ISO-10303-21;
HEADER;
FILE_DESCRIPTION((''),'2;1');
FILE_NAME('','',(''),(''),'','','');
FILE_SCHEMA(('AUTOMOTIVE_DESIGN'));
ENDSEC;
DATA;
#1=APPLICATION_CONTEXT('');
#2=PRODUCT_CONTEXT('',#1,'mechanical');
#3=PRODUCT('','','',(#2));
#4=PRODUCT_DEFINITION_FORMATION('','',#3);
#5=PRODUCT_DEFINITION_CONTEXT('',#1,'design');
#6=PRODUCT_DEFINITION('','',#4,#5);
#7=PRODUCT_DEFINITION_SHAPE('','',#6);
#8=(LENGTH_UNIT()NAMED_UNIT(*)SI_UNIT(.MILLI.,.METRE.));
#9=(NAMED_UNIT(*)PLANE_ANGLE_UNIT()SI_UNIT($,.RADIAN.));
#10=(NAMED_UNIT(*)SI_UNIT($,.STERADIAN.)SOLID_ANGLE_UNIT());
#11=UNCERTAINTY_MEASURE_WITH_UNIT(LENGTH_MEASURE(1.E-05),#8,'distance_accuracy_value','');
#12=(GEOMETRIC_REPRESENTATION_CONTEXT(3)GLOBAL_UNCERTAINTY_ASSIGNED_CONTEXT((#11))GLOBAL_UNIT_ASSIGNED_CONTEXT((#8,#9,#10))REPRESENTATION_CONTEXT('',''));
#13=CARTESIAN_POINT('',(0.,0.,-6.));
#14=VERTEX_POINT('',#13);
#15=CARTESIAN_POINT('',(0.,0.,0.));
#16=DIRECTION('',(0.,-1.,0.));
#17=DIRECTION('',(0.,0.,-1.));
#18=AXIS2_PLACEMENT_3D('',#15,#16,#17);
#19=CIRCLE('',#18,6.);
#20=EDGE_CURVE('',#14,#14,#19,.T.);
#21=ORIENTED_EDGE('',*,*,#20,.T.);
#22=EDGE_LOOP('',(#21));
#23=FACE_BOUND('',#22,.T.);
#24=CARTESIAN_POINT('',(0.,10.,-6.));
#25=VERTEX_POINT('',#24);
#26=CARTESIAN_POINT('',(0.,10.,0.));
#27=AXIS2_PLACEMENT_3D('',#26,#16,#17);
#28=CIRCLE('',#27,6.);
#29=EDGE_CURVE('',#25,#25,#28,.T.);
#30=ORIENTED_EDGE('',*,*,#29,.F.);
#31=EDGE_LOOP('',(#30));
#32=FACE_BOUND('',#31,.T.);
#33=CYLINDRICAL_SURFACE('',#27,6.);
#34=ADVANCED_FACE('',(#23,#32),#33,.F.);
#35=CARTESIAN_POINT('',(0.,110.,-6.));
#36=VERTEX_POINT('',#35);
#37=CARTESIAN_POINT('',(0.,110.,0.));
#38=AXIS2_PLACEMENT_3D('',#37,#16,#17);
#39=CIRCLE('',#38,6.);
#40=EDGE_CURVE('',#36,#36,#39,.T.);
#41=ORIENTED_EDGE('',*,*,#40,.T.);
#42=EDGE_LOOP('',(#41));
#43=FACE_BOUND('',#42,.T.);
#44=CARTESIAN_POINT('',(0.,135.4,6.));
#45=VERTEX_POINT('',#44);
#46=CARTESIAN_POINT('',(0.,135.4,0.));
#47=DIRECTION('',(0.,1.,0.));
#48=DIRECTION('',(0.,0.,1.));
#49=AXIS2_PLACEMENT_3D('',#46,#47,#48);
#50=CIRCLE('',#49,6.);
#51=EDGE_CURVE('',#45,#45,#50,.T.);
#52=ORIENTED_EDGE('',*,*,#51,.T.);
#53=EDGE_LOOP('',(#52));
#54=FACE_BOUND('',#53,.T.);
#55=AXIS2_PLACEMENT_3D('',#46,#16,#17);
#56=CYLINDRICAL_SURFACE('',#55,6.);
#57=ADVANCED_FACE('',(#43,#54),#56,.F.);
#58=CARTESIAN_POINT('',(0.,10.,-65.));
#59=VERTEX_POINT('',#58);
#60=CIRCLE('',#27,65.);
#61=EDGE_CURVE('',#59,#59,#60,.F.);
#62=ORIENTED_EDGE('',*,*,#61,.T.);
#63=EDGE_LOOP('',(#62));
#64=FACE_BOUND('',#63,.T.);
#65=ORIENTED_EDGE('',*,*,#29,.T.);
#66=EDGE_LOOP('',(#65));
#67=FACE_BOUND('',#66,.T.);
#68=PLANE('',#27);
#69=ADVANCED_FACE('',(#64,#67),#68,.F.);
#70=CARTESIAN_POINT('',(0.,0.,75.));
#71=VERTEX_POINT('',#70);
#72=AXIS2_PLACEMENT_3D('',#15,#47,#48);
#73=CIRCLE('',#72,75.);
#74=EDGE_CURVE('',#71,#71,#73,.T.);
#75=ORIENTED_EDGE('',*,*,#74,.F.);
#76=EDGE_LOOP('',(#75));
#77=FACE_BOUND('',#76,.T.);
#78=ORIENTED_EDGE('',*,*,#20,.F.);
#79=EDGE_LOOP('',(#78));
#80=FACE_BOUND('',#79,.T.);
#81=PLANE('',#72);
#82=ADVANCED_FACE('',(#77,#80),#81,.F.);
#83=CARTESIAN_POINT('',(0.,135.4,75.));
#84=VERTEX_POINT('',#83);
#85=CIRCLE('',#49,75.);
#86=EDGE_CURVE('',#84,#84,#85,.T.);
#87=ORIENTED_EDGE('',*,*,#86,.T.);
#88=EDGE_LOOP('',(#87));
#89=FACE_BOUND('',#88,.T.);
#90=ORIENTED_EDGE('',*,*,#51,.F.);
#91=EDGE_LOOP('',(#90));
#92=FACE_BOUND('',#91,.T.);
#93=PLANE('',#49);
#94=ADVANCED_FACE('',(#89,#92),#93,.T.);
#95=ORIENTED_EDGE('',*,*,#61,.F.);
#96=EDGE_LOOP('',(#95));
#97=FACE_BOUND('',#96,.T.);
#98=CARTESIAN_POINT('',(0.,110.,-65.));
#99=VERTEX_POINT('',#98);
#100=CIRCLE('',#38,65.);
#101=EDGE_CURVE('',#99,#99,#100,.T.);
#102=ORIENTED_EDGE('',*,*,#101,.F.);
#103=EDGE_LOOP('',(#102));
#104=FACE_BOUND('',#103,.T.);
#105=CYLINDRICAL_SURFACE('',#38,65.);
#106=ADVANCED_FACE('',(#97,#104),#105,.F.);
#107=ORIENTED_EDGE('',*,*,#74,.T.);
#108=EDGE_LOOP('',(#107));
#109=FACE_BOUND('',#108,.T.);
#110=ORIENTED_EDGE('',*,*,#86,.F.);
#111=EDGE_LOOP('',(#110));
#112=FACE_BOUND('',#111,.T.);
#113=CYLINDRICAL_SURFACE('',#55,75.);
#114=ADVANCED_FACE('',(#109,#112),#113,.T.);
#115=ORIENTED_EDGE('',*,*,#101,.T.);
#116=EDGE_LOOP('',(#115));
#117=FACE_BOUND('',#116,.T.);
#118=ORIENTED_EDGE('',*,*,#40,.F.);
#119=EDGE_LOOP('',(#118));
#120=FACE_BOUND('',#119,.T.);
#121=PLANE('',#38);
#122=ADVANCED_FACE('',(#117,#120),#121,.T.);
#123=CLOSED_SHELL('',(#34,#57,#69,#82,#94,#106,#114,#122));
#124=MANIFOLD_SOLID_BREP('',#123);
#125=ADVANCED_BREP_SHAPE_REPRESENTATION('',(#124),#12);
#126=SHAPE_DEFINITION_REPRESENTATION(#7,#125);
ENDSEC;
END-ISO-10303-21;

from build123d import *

# Parameters (mm, degrees)
SKETCH1_R           = 75
SKETCH1_R_2         = 6
BOSS_EXTRUDE1_DEPTH = 135.4
SKETCH3_R           = 65
CUT_EXTRUDE2_DEPTH  = 110
SKETCH4_R           = 75
SKETCH4_R_2         = 6
BOSS_EXTRUDE2_DEPTH = 10


with BuildPart() as part:
    # Sketch1 → Boss-Extrude1 (new body)
    with BuildSketch(Plane(origin=(0, 0, 0), x_dir=(1, 0, 0), z_dir=(0, 1, 0))):
        with Locations(Location((0, 0, 0), (0, 0, 270))):
            Circle(SKETCH1_R)
        with Locations(Location((0, 0, 0), (0, 0, 270))):
            Circle(SKETCH1_R_2, mode=Mode.SUBTRACT)
    extrude(amount=BOSS_EXTRUDE1_DEPTH)

    # Sketch3 → Cut-Extrude2 (cut)
    with BuildSketch(Plane.XZ):
        with Locations(Location((0, 0, 0), (0, 0, 270))):
            Circle(SKETCH3_R)
    extrude(amount=-CUT_EXTRUDE2_DEPTH, mode=Mode.SUBTRACT)

    # Sketch4 → Boss-Extrude2 (add)
    with BuildSketch(Plane.XZ):
        with Locations(Location((0, 0, 0), (0, 0, 90))):
            Circle(SKETCH4_R)
        with Locations(Location((0, 0, 0), (0, 0, 270))):
            Circle(SKETCH4_R_2, mode=Mode.SUBTRACT)
    extrude(amount=-BOSS_EXTRUDE2_DEPTH)


solid = part.part
